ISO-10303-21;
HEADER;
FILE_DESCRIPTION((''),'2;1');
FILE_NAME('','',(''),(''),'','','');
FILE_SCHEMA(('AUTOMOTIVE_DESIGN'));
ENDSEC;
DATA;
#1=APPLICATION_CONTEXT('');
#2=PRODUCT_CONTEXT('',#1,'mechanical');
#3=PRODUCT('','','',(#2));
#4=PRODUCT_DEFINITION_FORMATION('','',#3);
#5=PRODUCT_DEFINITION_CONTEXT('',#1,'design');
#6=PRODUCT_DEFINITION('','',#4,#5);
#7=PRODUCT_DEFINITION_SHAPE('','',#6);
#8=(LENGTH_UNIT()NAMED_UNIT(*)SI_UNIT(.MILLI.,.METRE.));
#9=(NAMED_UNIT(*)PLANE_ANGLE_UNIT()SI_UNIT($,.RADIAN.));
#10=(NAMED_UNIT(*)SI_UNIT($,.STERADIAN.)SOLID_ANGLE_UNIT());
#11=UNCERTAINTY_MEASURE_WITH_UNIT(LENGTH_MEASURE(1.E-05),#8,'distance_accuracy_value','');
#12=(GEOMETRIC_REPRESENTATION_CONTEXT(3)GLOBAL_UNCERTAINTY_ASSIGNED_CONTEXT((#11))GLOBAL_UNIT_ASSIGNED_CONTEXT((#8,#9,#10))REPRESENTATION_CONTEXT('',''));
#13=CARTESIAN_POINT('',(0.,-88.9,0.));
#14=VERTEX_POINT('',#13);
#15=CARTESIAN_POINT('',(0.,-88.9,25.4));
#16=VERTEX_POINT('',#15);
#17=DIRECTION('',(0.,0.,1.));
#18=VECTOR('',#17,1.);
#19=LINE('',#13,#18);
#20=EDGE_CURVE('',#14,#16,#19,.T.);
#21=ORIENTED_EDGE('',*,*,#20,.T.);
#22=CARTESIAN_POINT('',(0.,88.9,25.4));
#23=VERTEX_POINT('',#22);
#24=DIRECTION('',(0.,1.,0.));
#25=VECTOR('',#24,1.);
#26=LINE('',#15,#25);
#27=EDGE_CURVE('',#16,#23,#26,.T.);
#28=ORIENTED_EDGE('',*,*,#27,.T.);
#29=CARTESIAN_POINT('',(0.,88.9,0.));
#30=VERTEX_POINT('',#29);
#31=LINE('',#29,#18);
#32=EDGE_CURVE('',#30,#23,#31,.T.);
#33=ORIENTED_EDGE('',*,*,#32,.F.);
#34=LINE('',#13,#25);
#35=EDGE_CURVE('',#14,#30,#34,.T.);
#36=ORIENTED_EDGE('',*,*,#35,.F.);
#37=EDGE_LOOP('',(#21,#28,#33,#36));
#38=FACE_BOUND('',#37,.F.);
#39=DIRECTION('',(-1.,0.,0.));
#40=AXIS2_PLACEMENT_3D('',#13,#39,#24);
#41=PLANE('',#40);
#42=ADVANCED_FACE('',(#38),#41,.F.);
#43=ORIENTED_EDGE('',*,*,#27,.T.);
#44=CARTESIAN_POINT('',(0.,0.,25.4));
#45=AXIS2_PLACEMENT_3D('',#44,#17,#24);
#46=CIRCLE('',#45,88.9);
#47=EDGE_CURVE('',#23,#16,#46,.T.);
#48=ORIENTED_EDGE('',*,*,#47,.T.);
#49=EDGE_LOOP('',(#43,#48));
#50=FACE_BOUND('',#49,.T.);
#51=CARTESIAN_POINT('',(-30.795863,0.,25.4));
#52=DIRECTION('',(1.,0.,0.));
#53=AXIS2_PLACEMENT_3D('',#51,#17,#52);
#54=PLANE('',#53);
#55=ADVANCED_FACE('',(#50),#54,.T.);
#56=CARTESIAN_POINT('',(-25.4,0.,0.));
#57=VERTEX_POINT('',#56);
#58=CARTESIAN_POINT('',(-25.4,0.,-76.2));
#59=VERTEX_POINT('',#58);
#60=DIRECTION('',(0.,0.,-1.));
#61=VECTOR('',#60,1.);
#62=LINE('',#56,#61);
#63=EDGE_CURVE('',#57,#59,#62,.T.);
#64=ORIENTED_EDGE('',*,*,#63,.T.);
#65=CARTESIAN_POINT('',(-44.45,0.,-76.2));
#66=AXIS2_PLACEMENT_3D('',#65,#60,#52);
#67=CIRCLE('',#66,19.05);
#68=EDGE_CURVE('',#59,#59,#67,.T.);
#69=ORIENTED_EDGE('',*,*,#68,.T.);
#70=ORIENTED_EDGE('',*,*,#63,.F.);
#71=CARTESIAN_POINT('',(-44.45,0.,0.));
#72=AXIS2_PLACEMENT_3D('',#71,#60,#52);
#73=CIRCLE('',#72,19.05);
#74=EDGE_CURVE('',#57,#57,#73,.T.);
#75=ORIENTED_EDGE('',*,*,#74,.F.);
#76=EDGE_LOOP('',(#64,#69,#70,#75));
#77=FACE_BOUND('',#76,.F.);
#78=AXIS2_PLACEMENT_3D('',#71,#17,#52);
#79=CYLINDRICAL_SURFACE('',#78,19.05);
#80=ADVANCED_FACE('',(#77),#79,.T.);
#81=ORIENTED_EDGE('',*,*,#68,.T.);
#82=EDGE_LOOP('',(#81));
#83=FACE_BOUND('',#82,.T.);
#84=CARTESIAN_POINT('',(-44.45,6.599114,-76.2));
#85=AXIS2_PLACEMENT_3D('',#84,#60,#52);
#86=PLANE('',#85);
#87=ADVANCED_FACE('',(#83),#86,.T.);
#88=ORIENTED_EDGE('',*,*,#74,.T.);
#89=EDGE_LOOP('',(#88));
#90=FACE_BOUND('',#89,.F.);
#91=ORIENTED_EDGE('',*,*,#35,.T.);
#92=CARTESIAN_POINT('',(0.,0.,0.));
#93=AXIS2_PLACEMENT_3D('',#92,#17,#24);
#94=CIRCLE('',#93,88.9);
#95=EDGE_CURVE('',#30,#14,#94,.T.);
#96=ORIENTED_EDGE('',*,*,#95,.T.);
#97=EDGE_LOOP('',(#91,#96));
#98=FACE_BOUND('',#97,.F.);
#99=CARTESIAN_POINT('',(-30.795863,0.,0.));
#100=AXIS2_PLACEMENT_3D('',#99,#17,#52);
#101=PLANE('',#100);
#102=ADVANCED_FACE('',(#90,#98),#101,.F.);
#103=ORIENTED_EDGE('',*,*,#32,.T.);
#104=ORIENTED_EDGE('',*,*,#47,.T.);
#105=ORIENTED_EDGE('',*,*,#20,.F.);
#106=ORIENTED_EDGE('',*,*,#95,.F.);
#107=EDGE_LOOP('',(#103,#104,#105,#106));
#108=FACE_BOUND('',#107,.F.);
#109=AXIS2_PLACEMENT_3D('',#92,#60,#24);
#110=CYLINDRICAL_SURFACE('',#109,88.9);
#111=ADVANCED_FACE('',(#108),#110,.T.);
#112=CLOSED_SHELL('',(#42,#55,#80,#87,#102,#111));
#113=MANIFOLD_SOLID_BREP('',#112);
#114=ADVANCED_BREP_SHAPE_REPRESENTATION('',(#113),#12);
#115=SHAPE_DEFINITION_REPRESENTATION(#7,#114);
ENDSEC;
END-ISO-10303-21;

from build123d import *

# Parameters (mm, degrees)
F1_DEPTH = 25.4
F3_DEPTH = 76.2


with BuildPart() as f1:
    # F0 (on Top) → F1 (new body)
    with BuildSketch(Plane.XY):
        with BuildLine():
            Line((0, -88.9), (0, 88.9))
            ThreePointArc((0, 88.9), (-88.9, 0), (0, -88.9))
        make_face()
    extrude(amount=F1_DEPTH)

    # F2 (on face) → F3 (join)
    with BuildSketch(Plane(origin=(0, 0, 0), x_dir=(1, 0, 0), z_dir=(0, 0, -1))):
        with BuildLine():
            ThreePointArc((-63.5, 0), (-44.45, -19.05), (-25.4, 0))
            Line((-25.4, 0), (-63.5, 0))
        make_face()
        with BuildLine():
            Line((-63.5, 0), (-25.4, 0))
            ThreePointArc((-25.4, 0), (-44.45, 19.05), (-63.5, 0))
        make_face()
    extrude(amount=F3_DEPTH)


solid = f1.part
